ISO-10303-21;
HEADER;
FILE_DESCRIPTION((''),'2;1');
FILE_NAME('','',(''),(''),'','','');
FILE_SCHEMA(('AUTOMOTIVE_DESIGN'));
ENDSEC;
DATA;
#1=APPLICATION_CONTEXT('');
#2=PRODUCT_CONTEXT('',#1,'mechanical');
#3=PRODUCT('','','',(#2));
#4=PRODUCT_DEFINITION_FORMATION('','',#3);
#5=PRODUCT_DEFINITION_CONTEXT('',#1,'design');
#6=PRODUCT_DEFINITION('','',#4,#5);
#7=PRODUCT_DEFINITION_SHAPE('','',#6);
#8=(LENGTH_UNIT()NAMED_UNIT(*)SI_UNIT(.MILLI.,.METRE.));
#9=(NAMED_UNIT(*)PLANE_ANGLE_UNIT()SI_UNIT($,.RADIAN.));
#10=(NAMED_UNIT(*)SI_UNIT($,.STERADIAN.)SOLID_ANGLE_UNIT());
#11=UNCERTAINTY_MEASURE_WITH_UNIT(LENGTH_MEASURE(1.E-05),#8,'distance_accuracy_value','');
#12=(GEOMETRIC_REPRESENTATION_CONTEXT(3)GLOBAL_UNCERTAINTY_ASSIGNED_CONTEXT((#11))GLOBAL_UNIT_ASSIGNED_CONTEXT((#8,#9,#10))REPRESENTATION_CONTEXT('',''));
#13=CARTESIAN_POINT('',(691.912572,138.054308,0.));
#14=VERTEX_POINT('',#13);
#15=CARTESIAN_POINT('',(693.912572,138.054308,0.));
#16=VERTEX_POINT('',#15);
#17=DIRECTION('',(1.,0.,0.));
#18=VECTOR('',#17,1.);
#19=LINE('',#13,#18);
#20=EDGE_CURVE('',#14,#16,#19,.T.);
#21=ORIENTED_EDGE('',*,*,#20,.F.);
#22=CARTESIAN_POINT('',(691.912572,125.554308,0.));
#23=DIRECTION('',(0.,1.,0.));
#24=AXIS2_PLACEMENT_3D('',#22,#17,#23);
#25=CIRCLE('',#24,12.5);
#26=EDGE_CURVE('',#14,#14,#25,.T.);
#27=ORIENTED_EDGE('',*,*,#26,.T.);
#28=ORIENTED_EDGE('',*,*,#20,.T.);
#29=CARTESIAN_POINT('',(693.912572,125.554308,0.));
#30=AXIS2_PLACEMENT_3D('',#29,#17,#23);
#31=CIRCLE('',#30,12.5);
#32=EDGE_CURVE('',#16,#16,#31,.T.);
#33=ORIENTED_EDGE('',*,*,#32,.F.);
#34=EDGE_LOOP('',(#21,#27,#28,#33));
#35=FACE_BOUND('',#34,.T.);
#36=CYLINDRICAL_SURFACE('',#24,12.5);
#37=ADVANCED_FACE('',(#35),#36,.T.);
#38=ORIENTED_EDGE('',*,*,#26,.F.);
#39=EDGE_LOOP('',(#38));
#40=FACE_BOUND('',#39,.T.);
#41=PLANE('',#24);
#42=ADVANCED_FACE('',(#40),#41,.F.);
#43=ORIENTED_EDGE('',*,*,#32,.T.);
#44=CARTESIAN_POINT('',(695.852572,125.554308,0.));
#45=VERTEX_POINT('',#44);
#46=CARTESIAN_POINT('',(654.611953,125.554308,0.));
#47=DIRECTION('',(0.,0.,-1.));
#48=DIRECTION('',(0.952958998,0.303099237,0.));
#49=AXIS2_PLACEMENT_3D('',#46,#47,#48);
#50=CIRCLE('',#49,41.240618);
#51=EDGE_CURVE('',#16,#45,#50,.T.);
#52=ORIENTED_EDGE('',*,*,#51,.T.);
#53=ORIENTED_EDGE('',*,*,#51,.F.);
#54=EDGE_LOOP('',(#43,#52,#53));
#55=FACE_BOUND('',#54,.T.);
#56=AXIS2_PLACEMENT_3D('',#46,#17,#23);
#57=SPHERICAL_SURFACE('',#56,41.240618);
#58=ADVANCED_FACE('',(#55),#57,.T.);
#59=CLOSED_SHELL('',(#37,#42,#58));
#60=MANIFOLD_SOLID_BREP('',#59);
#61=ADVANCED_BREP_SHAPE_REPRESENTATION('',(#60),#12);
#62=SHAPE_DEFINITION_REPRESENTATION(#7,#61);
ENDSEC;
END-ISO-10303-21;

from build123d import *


with BuildPart() as part:
    # 草图1 → 旋转1 (revolve)
    with BuildSketch(Plane.XY):
        with BuildLine():
            Line((691.912571857, 125.554307898), (691.912571857, 138.054307898))
            Line((691.912571857, 138.054307898), (693.912571857, 138.054307898))
            ThreePointArc((693.912571857, 138.054307898), (695.364685957, 131.879132007), (695.852571857, 125.554307898))
            Line((695.852571857, 125.554307898), (691.912571857, 125.554307898))
        make_face()
    revolve(axis=Axis((689.883464279, 125.554307898, 0), (1, 0, 0)))


solid = part.part
